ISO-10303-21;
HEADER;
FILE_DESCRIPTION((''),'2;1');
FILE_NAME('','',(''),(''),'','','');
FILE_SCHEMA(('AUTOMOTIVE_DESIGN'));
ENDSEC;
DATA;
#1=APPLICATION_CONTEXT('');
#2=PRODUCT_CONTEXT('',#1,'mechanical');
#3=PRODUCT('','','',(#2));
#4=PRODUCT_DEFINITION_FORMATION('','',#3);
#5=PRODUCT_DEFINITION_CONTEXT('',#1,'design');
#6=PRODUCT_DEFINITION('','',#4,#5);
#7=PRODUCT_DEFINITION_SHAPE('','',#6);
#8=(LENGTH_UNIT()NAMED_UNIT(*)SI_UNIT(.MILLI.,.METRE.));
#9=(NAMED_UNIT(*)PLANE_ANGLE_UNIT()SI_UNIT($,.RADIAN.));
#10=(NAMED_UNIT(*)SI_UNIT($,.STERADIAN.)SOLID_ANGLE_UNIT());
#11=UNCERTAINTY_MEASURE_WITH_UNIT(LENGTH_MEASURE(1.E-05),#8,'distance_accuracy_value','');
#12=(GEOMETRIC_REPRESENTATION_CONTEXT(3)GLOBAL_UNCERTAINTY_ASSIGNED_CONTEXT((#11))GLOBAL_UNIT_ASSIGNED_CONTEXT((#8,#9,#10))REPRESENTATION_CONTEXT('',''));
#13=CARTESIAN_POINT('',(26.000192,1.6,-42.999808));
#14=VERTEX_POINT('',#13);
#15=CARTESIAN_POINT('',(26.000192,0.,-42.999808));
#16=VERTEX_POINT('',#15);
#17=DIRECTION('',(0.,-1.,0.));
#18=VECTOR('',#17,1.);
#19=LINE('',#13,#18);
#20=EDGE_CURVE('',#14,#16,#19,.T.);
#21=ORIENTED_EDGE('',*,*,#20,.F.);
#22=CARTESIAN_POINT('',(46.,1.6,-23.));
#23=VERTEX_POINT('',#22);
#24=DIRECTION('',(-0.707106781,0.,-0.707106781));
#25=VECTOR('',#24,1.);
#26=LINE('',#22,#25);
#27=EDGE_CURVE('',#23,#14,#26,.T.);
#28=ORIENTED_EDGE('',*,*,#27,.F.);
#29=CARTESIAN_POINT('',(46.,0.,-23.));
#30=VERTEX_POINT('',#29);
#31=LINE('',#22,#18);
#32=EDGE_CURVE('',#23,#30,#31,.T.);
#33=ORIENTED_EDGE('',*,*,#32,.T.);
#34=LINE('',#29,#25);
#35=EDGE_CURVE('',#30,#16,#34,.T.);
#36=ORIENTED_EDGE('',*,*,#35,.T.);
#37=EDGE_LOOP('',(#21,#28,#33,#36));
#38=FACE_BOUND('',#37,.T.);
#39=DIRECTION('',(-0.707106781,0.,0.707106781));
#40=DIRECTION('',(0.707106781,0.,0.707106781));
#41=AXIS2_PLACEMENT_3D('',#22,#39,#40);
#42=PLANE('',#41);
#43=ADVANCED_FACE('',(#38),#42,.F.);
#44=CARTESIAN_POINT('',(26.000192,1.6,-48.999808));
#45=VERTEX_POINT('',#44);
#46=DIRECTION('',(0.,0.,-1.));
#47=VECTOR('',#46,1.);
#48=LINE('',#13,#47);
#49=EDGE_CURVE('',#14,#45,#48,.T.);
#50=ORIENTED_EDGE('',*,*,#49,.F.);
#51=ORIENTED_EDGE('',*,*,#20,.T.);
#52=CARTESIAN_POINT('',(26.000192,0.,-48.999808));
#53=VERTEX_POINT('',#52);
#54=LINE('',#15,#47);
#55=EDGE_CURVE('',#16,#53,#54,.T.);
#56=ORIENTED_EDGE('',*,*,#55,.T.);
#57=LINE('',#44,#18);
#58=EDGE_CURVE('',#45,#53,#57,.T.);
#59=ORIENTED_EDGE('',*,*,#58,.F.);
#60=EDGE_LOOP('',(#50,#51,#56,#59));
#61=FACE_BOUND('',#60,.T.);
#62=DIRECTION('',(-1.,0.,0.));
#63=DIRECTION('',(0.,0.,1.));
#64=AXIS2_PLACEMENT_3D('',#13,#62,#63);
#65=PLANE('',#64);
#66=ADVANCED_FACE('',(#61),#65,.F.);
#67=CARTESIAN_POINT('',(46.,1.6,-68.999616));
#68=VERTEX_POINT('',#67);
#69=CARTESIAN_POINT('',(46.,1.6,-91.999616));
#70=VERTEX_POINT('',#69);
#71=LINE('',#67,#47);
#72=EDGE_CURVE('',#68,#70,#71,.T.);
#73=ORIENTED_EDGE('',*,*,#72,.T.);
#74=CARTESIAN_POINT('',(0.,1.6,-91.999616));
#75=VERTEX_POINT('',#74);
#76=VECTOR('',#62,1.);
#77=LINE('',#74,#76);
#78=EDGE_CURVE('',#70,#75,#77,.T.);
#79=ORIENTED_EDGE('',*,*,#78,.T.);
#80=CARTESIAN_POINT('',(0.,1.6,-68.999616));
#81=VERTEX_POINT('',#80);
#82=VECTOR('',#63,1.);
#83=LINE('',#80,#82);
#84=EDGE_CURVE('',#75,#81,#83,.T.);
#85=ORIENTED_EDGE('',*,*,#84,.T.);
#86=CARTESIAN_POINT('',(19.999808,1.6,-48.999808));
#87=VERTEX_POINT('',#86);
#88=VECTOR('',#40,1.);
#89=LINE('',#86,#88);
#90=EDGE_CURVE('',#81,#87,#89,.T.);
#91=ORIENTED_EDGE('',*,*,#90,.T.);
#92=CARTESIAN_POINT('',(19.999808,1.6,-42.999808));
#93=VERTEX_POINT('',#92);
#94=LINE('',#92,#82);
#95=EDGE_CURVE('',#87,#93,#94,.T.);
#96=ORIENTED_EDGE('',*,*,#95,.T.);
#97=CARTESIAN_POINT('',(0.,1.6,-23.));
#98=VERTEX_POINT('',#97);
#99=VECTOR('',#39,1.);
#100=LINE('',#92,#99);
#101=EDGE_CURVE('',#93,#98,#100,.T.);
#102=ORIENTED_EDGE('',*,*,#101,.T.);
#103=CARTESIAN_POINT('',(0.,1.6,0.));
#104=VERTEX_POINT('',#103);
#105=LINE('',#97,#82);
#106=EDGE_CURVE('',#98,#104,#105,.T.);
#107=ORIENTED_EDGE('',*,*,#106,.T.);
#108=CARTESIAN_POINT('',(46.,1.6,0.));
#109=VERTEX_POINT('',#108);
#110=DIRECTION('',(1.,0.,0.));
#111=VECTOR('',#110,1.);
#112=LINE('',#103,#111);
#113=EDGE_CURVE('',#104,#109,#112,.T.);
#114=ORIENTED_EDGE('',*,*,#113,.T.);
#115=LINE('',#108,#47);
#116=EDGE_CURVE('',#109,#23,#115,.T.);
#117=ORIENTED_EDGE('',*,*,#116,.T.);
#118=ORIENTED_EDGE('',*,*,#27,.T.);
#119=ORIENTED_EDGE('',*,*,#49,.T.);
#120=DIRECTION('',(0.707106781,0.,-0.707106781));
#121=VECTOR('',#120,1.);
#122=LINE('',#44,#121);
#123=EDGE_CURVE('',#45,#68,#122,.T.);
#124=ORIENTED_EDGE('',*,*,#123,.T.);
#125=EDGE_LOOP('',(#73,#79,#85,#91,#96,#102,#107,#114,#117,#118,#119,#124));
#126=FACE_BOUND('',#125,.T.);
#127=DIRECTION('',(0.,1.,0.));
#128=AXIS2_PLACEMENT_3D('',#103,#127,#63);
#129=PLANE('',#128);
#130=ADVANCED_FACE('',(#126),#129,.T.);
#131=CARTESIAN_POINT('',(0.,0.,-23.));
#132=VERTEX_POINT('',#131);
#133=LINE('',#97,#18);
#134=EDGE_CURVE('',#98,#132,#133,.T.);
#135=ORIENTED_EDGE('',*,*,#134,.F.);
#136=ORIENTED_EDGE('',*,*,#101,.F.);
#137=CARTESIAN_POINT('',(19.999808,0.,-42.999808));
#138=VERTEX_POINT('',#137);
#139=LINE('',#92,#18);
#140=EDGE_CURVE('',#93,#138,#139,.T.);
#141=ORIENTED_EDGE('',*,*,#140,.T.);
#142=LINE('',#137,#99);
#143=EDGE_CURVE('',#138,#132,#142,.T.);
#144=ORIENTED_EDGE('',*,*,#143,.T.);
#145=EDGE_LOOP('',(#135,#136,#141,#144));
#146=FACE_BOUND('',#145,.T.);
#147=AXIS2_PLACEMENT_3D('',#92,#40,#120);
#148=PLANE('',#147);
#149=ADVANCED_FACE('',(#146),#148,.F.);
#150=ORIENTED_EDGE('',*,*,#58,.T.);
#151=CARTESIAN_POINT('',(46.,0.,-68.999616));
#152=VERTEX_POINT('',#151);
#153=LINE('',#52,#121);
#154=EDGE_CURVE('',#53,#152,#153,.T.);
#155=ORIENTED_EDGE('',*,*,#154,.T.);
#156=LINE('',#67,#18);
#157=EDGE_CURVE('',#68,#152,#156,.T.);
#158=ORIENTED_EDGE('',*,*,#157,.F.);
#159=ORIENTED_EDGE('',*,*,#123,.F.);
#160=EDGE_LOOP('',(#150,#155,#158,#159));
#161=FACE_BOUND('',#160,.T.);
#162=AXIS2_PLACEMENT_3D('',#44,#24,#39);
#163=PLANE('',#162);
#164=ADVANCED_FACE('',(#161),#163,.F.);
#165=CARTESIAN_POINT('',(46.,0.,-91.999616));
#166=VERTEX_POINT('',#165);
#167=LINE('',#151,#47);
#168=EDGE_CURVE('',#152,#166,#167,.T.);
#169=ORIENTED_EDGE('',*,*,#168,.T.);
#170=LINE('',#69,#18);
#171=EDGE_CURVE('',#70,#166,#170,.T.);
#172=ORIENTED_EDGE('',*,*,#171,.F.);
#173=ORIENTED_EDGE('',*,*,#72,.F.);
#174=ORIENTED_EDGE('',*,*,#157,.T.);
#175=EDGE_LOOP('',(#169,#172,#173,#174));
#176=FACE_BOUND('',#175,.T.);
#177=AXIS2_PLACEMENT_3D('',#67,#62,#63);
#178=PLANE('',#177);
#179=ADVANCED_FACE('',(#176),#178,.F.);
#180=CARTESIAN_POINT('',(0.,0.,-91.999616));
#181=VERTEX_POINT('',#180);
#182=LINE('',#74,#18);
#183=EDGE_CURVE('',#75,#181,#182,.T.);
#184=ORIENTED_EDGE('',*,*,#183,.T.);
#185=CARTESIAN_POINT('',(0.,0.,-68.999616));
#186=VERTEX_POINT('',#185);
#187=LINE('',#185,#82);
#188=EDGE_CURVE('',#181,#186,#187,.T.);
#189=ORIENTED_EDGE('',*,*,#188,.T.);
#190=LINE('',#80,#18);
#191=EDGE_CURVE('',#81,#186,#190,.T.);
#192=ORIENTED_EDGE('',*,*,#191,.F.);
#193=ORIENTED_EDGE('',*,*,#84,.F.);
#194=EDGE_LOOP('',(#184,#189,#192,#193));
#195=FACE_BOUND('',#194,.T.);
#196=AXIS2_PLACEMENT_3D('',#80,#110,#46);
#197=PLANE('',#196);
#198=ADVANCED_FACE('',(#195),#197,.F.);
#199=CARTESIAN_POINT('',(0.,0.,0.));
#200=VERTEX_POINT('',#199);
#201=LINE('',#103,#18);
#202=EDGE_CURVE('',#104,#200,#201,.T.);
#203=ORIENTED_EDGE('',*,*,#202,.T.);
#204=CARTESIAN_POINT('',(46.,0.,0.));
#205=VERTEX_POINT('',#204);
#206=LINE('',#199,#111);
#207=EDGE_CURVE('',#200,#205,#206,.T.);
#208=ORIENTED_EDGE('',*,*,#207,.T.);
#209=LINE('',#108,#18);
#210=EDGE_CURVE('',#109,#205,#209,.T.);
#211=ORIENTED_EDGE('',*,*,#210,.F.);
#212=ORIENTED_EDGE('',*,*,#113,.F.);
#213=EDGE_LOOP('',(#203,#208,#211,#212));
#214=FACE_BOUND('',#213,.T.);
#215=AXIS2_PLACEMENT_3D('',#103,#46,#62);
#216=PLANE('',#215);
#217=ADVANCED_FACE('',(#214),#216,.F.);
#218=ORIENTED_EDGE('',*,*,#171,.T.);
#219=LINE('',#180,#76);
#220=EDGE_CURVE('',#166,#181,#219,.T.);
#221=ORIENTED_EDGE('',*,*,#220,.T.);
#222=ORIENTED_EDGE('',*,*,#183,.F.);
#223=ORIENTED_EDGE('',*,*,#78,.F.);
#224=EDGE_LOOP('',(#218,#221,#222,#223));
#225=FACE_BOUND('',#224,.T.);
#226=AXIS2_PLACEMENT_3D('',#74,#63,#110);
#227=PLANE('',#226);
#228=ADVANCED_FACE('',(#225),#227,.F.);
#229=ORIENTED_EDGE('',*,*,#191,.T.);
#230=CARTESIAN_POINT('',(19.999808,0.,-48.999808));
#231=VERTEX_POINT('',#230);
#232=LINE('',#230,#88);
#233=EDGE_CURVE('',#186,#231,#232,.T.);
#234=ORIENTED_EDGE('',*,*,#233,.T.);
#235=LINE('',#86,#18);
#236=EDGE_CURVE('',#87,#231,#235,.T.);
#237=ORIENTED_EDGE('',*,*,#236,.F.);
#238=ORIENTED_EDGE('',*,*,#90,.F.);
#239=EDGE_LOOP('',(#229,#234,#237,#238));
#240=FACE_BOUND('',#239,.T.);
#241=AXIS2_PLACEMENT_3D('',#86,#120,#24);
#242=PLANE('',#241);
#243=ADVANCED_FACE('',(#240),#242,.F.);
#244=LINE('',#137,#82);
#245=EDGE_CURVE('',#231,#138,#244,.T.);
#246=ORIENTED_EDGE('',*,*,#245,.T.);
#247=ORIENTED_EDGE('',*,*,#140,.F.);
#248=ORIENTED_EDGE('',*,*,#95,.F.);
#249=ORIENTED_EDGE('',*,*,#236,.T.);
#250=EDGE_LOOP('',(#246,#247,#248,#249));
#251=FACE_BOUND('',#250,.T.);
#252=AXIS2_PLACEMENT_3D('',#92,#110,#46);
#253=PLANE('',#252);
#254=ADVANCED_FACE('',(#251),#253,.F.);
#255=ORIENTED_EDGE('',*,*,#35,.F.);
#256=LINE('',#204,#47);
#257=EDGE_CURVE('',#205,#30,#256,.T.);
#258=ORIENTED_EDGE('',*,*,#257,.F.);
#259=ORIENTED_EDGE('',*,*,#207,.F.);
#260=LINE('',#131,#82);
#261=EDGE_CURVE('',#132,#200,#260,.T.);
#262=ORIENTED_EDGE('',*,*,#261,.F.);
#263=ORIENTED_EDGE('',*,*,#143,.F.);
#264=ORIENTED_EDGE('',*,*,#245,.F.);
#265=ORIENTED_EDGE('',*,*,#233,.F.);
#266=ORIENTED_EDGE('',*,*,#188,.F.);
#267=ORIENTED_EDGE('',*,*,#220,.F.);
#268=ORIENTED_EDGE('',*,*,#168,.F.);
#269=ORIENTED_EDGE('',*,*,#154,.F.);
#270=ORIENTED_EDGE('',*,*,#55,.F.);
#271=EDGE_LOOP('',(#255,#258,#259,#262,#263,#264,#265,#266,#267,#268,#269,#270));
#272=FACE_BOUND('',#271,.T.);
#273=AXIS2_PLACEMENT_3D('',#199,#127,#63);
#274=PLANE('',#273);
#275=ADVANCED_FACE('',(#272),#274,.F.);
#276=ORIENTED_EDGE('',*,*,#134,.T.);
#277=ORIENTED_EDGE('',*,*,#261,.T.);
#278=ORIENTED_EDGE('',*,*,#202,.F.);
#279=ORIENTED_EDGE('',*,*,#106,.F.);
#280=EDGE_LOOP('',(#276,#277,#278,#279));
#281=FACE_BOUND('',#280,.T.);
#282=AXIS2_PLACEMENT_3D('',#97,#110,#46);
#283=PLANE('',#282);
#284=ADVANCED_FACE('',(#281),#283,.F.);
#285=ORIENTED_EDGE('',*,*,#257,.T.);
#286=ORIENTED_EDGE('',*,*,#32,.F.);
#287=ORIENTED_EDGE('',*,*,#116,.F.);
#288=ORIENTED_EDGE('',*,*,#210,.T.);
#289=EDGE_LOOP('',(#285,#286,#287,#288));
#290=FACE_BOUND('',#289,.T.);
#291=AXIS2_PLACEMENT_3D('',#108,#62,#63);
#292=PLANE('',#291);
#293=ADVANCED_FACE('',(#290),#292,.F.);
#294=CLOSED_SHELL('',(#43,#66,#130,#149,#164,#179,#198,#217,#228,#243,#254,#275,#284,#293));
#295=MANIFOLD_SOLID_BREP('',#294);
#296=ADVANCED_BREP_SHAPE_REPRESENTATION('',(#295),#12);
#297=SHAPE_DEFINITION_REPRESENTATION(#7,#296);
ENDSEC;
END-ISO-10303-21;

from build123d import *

# Parameters (mm, degrees)
EXTRUDE_1_DEPTH = 1.6


with BuildPart() as part:
    # 草图1 → 凸台-拉伸1 (new body)
    with BuildSketch(Plane(origin=(0, 0, 0), x_dir=(1, 0, 0), z_dir=(0, 1, 0))):
        Polygon((0, 0), (46, 0), (46, 23), (26.000191801, 42.999808199), (26.000191801, 48.999808199), (46, 68.999616398), (46, 91.999616398), (0, 91.999616398), (0, 68.999616398), (19.999808199, 48.999808199), (19.999808199, 42.999808199), (0, 23), align=None)
    extrude(amount=EXTRUDE_1_DEPTH)


solid = part.part
